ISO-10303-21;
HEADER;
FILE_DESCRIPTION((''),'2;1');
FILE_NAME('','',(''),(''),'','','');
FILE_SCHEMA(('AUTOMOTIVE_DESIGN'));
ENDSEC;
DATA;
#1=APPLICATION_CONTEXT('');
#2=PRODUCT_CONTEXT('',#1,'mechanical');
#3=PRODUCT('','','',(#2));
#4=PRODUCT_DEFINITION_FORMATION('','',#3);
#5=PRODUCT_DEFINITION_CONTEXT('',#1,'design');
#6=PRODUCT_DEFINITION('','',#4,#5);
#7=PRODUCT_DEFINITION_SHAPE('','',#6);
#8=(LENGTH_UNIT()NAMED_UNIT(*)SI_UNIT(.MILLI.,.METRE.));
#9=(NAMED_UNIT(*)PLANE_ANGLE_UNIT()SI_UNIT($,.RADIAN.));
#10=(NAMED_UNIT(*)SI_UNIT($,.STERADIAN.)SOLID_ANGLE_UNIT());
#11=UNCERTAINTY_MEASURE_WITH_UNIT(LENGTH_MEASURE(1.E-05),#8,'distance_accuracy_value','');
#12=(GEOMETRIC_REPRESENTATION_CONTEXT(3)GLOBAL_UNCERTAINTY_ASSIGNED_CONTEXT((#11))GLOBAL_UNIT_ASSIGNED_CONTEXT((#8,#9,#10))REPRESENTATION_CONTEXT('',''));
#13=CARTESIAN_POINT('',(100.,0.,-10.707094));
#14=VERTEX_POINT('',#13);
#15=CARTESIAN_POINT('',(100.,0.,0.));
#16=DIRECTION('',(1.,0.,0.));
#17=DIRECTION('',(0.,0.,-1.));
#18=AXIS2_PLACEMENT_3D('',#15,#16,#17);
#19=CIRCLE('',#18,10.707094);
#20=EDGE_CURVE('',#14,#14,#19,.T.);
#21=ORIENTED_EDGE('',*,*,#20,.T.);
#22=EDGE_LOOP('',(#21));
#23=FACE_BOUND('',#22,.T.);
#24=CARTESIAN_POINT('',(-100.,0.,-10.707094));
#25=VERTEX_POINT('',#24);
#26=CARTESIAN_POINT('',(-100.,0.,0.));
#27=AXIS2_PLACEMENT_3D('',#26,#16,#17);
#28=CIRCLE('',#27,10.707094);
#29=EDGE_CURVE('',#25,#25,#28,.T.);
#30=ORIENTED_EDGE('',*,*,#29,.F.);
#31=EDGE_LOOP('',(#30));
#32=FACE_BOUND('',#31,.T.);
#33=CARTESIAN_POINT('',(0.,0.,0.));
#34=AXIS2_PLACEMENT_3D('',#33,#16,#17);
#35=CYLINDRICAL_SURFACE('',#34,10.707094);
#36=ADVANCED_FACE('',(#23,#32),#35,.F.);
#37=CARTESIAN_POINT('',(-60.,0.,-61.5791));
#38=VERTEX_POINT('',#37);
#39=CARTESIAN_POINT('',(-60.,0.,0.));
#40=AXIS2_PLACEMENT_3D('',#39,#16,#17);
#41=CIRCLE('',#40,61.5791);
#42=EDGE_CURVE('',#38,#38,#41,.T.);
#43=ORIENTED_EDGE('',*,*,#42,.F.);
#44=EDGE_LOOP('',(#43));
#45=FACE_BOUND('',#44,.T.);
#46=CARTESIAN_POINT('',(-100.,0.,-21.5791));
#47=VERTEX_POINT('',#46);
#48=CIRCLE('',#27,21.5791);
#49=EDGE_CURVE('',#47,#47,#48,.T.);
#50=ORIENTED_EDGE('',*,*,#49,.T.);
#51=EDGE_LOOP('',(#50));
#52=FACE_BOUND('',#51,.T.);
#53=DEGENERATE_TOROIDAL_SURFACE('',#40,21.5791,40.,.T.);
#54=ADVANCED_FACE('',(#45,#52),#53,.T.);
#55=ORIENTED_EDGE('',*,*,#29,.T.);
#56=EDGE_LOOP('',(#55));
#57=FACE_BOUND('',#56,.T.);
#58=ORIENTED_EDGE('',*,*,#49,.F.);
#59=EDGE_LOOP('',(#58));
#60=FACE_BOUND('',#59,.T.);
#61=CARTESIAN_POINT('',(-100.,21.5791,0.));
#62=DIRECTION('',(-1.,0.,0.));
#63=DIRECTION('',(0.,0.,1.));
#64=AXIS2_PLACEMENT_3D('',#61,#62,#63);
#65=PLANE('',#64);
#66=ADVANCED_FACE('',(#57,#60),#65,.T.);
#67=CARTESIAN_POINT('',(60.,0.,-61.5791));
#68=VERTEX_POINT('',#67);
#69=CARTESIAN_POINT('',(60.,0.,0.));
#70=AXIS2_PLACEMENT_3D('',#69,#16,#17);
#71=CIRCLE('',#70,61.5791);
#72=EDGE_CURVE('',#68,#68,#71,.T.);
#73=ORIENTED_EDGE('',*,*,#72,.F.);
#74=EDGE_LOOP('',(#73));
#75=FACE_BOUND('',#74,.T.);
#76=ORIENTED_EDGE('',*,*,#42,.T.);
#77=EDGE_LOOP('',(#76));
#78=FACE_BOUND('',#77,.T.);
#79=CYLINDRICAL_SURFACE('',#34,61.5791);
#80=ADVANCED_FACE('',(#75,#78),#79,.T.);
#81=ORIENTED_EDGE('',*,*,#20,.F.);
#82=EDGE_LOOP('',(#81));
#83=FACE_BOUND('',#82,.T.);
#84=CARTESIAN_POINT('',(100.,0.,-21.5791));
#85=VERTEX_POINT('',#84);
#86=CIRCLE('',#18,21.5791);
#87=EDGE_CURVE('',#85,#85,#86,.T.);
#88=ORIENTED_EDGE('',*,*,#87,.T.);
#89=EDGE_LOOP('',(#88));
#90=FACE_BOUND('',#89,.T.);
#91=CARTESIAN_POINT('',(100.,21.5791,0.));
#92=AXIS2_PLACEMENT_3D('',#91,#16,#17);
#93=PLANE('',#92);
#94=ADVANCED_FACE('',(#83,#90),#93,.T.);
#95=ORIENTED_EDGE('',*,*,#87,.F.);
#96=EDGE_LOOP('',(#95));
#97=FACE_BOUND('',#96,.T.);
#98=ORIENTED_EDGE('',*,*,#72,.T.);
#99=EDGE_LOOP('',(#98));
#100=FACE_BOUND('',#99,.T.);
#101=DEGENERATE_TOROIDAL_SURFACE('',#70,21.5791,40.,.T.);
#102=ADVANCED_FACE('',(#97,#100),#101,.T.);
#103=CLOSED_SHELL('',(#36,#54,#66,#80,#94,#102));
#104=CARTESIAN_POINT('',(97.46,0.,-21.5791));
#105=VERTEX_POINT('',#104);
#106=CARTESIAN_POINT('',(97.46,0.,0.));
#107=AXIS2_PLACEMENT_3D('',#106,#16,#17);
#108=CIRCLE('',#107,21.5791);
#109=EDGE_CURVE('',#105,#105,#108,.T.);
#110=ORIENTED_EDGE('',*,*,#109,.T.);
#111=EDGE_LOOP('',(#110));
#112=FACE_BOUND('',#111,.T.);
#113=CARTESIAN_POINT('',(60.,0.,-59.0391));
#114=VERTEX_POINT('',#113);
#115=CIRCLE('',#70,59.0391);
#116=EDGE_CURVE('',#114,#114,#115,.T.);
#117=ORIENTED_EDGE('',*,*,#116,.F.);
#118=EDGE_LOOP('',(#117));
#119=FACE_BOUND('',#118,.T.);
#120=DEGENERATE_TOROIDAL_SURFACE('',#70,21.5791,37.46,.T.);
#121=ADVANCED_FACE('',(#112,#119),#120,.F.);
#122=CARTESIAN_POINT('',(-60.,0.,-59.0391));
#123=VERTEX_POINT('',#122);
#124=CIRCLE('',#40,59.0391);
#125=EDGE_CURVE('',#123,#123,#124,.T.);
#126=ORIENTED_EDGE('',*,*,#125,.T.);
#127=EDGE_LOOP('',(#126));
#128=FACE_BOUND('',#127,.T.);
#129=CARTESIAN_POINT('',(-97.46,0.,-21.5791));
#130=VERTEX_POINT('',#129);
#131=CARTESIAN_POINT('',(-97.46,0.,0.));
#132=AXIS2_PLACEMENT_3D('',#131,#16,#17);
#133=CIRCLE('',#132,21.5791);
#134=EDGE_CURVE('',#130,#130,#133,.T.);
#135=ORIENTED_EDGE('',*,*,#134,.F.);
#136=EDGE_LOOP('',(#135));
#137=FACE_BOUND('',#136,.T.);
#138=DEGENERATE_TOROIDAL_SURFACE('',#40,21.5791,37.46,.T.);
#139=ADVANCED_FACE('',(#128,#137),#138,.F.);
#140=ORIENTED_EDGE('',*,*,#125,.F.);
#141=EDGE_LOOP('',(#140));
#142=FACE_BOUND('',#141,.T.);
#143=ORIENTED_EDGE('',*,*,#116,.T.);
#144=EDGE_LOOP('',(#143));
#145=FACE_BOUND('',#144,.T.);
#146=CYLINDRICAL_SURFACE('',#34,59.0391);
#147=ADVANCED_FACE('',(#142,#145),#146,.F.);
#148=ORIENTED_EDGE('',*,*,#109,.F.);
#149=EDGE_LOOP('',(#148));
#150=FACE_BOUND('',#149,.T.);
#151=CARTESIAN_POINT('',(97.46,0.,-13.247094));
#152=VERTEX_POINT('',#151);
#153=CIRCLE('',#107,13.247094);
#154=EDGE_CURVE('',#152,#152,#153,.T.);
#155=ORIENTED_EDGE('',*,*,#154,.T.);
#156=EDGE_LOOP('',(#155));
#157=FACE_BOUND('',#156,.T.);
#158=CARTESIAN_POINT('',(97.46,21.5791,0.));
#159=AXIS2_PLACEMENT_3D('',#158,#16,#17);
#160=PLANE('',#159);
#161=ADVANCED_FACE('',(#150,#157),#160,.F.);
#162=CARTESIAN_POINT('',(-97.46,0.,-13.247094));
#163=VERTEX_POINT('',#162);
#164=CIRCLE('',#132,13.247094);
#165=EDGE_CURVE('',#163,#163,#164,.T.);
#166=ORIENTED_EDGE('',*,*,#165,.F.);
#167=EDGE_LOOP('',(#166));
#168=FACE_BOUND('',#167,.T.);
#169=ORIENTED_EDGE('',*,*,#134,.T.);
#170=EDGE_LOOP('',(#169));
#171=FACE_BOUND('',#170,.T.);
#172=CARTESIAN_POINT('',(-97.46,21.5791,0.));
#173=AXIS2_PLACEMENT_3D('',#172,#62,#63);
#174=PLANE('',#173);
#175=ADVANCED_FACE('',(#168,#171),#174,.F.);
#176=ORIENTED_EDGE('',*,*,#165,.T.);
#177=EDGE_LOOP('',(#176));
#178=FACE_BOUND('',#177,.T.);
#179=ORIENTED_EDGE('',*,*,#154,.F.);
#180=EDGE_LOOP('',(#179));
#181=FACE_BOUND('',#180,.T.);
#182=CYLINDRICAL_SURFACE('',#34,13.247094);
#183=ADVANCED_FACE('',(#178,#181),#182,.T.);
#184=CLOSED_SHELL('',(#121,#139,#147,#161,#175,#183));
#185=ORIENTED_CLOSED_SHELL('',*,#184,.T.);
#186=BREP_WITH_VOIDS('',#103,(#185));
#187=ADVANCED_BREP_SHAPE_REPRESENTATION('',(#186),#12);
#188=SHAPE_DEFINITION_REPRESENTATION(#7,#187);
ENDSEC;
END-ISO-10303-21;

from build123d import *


with BuildPart() as part:
    # Sketch1 → Revolve1 (revolve)
    with BuildSketch(Plane.XY):
        with BuildLine():
            Line((-100, 21.579100204), (-100, 10.707094489))
            Line((-100, 10.707094489), (100, 10.707094489))
            Line((100, 10.707094489), (100, 21.579100204))
            ThreePointArc((100, 21.579100204), (88.284271247, 49.863371451), (60, 61.579100204))
            Line((60, 61.579100204), (-60, 61.579100204))
            ThreePointArc((-60, 61.579100204), (-88.284271247, 49.863371451), (-100, 21.579100204))
        make_face()
        with BuildLine():
            Line((-97.46, 21.579100204), (-97.46, 13.247094489))
            Line((-97.46, 13.247094489), (97.46, 13.247094489))
            Line((97.46, 13.247094489), (97.46, 21.579100204))
            ThreePointArc((97.46, 21.579100204), (86.488220023, 48.067320227), (60, 59.039100204))
            Line((60, 59.039100204), (-60, 59.039100204))
            ThreePointArc((-60, 59.039100204), (-86.488220023, 48.067320227), (-97.46, 21.579100204))
        make_face(mode=Mode.SUBTRACT)
    revolve(axis=Axis((0, 0, 0), (-1, 0, 0)))


solid = part.part
